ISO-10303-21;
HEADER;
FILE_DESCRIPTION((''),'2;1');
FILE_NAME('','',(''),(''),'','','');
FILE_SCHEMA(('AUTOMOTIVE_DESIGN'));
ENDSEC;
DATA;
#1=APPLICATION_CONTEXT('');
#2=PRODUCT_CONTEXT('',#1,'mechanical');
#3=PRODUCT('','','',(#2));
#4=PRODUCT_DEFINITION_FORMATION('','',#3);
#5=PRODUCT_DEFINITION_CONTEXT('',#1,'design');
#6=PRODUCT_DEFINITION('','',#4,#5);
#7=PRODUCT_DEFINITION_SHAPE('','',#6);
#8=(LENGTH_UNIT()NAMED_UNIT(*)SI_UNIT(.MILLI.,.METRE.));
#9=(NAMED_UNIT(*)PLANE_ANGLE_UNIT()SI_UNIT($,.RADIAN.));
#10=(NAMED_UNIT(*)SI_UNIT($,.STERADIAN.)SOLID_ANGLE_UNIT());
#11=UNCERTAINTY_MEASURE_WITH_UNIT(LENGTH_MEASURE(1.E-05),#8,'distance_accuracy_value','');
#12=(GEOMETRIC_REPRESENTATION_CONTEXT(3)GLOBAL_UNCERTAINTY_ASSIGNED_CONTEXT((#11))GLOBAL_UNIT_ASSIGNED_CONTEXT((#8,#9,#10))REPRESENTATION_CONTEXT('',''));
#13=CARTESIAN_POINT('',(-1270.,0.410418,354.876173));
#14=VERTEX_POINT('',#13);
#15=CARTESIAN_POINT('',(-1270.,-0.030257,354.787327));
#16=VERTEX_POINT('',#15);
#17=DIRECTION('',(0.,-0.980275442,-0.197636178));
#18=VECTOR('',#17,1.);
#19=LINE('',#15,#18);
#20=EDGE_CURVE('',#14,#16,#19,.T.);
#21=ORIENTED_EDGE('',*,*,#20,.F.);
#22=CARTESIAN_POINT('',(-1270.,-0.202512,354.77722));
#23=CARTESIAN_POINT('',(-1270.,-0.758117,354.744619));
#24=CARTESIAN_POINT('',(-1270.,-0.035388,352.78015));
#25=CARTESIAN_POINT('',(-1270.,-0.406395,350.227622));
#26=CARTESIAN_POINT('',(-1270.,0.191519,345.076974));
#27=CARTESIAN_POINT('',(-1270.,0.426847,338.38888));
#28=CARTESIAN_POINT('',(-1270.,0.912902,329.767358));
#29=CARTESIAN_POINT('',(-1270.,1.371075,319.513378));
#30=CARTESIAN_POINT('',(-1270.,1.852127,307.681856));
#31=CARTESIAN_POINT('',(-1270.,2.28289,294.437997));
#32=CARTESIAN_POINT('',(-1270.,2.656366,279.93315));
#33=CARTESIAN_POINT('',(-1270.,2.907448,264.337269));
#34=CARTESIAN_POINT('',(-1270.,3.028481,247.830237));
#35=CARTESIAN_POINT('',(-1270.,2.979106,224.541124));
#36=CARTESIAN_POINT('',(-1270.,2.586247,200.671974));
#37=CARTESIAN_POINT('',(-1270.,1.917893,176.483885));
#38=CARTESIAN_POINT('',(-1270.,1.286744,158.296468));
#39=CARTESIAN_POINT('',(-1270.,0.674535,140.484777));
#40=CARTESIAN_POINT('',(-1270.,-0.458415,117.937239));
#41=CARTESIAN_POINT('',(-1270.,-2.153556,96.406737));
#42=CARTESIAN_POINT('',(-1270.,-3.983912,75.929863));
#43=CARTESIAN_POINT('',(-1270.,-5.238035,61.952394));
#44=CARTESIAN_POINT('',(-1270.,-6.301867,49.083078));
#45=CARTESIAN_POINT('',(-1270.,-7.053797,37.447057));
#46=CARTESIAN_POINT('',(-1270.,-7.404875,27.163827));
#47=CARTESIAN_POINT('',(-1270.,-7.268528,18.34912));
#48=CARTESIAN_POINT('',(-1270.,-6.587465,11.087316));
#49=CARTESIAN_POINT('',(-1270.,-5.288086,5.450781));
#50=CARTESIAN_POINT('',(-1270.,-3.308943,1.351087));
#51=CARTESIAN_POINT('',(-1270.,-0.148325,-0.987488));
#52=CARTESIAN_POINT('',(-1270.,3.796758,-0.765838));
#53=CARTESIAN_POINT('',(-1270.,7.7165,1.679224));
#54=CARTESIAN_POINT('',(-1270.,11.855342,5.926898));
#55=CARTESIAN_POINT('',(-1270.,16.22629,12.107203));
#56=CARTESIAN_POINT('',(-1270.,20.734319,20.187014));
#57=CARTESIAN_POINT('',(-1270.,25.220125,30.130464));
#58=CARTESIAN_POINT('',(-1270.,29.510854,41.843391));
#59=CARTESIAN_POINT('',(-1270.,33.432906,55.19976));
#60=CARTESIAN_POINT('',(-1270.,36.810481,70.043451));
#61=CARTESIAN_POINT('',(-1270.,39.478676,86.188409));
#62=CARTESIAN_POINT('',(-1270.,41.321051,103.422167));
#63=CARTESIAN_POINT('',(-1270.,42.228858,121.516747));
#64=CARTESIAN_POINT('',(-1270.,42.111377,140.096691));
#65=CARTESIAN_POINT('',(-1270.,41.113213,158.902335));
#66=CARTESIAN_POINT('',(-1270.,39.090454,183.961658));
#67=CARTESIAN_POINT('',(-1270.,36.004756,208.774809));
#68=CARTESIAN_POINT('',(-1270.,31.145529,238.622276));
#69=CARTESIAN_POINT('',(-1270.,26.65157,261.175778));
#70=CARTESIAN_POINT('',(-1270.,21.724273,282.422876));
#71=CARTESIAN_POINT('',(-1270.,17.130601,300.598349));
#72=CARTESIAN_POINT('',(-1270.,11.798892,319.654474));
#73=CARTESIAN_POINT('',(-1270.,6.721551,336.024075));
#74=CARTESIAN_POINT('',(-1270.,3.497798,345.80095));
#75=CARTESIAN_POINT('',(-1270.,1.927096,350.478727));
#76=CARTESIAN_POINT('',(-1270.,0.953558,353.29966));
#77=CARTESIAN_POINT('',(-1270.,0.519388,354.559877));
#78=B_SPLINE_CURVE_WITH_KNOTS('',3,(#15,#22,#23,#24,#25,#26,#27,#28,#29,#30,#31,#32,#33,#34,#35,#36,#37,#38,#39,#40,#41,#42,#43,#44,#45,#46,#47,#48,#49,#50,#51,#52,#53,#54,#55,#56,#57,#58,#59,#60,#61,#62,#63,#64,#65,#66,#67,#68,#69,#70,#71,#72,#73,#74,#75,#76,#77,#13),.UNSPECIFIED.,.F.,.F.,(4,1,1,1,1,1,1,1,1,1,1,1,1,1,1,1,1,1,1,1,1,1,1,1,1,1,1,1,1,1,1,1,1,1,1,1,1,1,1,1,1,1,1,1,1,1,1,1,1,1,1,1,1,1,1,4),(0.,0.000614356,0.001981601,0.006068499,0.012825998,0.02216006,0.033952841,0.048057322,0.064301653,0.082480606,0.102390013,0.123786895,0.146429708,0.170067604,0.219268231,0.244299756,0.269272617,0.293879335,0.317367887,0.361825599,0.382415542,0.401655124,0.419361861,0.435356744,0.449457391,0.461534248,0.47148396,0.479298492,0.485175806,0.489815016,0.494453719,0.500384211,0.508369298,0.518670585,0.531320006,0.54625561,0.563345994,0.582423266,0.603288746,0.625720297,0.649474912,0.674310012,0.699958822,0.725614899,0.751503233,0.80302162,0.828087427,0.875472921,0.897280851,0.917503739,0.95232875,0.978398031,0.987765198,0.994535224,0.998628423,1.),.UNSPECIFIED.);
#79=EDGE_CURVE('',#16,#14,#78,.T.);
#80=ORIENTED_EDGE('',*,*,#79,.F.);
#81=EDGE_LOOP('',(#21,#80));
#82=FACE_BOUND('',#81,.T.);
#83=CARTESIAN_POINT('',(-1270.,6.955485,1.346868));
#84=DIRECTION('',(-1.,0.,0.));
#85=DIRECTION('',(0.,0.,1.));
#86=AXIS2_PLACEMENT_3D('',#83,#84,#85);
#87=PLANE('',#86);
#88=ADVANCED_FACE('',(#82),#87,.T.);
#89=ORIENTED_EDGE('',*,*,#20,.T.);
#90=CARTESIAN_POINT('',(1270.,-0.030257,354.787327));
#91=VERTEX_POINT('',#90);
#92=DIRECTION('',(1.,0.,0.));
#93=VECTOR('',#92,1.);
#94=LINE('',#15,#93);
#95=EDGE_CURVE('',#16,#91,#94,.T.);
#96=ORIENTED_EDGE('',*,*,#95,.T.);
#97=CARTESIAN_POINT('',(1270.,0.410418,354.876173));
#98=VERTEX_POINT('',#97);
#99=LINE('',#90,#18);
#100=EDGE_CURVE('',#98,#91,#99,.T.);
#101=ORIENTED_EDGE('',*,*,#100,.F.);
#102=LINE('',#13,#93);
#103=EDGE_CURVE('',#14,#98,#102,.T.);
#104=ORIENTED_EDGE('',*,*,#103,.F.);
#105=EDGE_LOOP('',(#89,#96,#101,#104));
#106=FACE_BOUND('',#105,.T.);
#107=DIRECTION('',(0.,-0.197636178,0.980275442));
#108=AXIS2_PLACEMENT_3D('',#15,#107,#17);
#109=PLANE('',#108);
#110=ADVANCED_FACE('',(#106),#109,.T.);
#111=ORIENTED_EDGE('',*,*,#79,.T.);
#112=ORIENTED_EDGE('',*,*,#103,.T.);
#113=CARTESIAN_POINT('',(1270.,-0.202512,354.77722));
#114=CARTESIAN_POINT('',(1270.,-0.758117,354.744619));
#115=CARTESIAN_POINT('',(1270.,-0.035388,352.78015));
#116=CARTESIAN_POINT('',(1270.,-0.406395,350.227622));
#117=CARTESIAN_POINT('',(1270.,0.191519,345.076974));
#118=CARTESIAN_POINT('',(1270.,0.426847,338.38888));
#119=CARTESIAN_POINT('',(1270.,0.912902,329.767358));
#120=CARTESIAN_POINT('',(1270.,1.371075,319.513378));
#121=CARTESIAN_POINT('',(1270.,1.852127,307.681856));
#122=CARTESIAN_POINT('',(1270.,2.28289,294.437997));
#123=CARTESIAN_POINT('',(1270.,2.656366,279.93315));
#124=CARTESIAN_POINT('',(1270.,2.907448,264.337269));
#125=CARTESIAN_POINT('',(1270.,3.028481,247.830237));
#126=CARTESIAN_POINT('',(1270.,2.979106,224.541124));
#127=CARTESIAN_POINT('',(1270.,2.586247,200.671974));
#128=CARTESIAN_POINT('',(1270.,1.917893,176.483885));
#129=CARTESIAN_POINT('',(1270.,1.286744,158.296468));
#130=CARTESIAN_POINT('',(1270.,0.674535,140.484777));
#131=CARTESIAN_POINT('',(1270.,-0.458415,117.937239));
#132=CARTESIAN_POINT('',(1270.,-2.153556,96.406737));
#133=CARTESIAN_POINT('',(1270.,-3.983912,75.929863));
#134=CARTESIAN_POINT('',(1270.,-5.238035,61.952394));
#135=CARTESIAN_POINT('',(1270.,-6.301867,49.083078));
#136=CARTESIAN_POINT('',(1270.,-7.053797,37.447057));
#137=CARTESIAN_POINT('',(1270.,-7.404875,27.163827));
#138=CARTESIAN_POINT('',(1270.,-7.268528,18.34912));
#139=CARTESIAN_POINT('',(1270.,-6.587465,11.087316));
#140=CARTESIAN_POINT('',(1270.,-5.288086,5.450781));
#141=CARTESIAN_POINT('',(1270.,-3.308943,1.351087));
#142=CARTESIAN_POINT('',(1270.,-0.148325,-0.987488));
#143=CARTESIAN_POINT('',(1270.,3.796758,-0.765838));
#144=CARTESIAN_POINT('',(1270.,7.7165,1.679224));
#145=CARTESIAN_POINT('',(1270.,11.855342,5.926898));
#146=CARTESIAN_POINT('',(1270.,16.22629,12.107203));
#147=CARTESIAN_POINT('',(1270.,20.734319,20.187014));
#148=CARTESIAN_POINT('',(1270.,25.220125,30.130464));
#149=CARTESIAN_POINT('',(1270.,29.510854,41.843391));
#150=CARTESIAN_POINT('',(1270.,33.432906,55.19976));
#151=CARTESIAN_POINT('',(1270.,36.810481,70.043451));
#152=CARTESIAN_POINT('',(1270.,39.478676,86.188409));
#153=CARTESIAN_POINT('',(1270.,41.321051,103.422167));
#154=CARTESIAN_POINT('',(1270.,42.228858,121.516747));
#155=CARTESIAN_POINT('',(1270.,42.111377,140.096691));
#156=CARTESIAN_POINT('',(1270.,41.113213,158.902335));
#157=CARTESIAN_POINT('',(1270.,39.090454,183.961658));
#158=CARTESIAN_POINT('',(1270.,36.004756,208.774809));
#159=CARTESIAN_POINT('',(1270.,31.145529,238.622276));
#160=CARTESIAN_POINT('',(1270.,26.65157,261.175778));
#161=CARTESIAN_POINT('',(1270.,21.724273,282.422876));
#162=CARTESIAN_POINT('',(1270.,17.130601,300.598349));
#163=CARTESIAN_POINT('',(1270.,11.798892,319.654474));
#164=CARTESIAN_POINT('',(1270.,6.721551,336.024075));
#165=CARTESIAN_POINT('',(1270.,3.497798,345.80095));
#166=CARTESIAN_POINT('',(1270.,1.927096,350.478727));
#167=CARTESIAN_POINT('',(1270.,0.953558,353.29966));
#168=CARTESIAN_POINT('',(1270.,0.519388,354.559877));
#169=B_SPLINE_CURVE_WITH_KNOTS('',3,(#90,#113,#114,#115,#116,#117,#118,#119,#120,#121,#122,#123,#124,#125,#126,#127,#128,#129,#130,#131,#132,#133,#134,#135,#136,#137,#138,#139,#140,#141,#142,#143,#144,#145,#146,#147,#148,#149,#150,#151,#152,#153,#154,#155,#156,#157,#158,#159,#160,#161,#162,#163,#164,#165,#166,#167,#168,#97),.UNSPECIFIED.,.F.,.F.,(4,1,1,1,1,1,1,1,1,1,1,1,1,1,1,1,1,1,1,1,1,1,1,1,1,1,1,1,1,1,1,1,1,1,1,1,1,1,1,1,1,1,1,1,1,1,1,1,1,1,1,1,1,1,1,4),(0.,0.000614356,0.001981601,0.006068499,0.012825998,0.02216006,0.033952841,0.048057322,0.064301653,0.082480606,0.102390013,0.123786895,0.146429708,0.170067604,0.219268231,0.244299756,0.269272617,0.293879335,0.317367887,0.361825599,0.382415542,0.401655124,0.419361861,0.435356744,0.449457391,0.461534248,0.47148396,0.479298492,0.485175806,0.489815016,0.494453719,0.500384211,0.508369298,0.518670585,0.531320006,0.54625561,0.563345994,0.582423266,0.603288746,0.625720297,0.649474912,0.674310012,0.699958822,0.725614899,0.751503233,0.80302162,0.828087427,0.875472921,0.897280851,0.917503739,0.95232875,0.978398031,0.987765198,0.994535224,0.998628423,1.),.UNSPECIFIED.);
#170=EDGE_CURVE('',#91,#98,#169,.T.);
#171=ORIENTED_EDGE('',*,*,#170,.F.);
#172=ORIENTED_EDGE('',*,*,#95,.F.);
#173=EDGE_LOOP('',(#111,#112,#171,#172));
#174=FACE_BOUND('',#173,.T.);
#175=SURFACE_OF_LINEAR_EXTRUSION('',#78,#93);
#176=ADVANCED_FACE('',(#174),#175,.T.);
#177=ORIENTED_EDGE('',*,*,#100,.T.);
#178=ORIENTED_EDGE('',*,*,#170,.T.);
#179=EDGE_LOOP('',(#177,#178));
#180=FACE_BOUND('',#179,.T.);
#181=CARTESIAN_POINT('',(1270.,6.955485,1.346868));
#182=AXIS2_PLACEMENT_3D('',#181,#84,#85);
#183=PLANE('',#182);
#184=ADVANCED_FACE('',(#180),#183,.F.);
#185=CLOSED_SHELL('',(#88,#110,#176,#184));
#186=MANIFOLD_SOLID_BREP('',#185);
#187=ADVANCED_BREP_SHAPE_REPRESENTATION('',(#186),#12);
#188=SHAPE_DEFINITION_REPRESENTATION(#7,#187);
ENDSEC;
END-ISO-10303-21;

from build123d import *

# Parameters (mm, degrees)
BOSS_EXTRUDE1_DEPTH      = 1270
BOSS_EXTRUDE1_DEPTH_BACK = 1270


with BuildPart() as part:
    # Sketch1 → Boss-Extrude1 (new, two sides: drawn at the far end of the back side and taken through both)
    with BuildSketch(Plane(origin=(0, 0, 0), x_dir=(0, 0, -1), z_dir=(1, 0, 0)).offset(-BOSS_EXTRUDE1_DEPTH_BACK)):
        with BuildLine():
            Line((-354.787327228, -0.030257196), (-354.876173011, 0.410417887))
            add(Edge.make_bspline(
                [(-354.876173011, 0.410417887), (-354.559877309, 0.519388), (-353.29965963, 0.95355787), (-350.47872665, 1.927095868), (-345.800950265, 3.497798274), (-336.024074692, 6.721551148), (-319.654473712, 11.798891927), (-300.598349456, 17.130600639), (-282.422876264, 21.724272526), (-261.175777938, 26.651569731), (-238.622276389, 31.145528798), (-208.774809213, 36.004755717), (-183.96165787, 39.090454058), (-158.902335219, 41.113212891), (-140.096691022, 42.111376668), (-121.516747473, 42.228858195), (-103.422167262, 41.321050632), (-86.188408528, 39.478676181), (-70.043450957, 36.810480574), (-55.199760436, 33.432905997), (-41.843390777, 29.510854383), (-30.130463623, 25.220125297), (-20.187014188, 20.73431935), (-12.107203154, 16.226289935), (-5.926897661, 11.855341958), (-1.679224073, 7.716499794), (0.765838065, 3.796757813), (0.987487677, -0.148325216), (-1.35108726, -3.308943186), (-5.450780885, -5.288085739), (-11.087315968, -6.587464624), (-18.34911979, -7.268527656), (-27.163826626, -7.404874951), (-37.447057223, -7.053797092), (-49.083078017, -6.301866785), (-61.95239395, -5.238034817), (-75.929862643, -3.983911698), (-96.406736552, -2.153555858), (-117.937239158, -0.458414508), (-140.484776897, 0.674535203), (-158.296467959, 1.286744043), (-176.48388462, 1.917893193), (-200.671973719, 2.586246563), (-224.541124114, 2.979106232), (-247.830237405, 3.028480659), (-264.337268621, 2.907447598), (-279.933149694, 2.656365926), (-294.437996632, 2.282890374), (-307.681856469, 1.852126627), (-319.513378006, 1.371074809), (-329.767358246, 0.912902227), (-338.388880463, 0.426846955), (-345.076973543, 0.191518705), (-350.227621538, -0.406394891), (-352.780150329, -0.035387827), (-354.744619464, -0.75811662), (-354.777220059, -0.20251155), (-354.787327228, -0.030257196)],
                knots=[0, 0, 0, 0, 0.001371577, 0.005464776, 0.012234802, 0.021601969, 0.04767125, 0.082496261, 0.102719149, 0.124527079, 0.171912573, 0.19697838, 0.248496767, 0.274385101, 0.300041178, 0.325689988, 0.350525088, 0.374279703, 0.396711254, 0.417576734, 0.436654006, 0.45374439, 0.468679994, 0.481329415, 0.491630702, 0.499615789, 0.505546281, 0.510184984, 0.514824194, 0.520701508, 0.52851604, 0.538465752, 0.550542609, 0.564643256, 0.580638139, 0.598344876, 0.617584458, 0.638174401, 0.682632113, 0.706120665, 0.730727383, 0.755700244, 0.780731769, 0.829932396, 0.853570292, 0.876213105, 0.897609987, 0.917519394, 0.935698347, 0.951942678, 0.966047159, 0.97783994, 0.987174002, 0.993931501, 0.998018399, 0.999385644, 1, 1, 1, 1], degree=3))
        make_face()
    extrude(amount=BOSS_EXTRUDE1_DEPTH + BOSS_EXTRUDE1_DEPTH_BACK)


solid = part.part
